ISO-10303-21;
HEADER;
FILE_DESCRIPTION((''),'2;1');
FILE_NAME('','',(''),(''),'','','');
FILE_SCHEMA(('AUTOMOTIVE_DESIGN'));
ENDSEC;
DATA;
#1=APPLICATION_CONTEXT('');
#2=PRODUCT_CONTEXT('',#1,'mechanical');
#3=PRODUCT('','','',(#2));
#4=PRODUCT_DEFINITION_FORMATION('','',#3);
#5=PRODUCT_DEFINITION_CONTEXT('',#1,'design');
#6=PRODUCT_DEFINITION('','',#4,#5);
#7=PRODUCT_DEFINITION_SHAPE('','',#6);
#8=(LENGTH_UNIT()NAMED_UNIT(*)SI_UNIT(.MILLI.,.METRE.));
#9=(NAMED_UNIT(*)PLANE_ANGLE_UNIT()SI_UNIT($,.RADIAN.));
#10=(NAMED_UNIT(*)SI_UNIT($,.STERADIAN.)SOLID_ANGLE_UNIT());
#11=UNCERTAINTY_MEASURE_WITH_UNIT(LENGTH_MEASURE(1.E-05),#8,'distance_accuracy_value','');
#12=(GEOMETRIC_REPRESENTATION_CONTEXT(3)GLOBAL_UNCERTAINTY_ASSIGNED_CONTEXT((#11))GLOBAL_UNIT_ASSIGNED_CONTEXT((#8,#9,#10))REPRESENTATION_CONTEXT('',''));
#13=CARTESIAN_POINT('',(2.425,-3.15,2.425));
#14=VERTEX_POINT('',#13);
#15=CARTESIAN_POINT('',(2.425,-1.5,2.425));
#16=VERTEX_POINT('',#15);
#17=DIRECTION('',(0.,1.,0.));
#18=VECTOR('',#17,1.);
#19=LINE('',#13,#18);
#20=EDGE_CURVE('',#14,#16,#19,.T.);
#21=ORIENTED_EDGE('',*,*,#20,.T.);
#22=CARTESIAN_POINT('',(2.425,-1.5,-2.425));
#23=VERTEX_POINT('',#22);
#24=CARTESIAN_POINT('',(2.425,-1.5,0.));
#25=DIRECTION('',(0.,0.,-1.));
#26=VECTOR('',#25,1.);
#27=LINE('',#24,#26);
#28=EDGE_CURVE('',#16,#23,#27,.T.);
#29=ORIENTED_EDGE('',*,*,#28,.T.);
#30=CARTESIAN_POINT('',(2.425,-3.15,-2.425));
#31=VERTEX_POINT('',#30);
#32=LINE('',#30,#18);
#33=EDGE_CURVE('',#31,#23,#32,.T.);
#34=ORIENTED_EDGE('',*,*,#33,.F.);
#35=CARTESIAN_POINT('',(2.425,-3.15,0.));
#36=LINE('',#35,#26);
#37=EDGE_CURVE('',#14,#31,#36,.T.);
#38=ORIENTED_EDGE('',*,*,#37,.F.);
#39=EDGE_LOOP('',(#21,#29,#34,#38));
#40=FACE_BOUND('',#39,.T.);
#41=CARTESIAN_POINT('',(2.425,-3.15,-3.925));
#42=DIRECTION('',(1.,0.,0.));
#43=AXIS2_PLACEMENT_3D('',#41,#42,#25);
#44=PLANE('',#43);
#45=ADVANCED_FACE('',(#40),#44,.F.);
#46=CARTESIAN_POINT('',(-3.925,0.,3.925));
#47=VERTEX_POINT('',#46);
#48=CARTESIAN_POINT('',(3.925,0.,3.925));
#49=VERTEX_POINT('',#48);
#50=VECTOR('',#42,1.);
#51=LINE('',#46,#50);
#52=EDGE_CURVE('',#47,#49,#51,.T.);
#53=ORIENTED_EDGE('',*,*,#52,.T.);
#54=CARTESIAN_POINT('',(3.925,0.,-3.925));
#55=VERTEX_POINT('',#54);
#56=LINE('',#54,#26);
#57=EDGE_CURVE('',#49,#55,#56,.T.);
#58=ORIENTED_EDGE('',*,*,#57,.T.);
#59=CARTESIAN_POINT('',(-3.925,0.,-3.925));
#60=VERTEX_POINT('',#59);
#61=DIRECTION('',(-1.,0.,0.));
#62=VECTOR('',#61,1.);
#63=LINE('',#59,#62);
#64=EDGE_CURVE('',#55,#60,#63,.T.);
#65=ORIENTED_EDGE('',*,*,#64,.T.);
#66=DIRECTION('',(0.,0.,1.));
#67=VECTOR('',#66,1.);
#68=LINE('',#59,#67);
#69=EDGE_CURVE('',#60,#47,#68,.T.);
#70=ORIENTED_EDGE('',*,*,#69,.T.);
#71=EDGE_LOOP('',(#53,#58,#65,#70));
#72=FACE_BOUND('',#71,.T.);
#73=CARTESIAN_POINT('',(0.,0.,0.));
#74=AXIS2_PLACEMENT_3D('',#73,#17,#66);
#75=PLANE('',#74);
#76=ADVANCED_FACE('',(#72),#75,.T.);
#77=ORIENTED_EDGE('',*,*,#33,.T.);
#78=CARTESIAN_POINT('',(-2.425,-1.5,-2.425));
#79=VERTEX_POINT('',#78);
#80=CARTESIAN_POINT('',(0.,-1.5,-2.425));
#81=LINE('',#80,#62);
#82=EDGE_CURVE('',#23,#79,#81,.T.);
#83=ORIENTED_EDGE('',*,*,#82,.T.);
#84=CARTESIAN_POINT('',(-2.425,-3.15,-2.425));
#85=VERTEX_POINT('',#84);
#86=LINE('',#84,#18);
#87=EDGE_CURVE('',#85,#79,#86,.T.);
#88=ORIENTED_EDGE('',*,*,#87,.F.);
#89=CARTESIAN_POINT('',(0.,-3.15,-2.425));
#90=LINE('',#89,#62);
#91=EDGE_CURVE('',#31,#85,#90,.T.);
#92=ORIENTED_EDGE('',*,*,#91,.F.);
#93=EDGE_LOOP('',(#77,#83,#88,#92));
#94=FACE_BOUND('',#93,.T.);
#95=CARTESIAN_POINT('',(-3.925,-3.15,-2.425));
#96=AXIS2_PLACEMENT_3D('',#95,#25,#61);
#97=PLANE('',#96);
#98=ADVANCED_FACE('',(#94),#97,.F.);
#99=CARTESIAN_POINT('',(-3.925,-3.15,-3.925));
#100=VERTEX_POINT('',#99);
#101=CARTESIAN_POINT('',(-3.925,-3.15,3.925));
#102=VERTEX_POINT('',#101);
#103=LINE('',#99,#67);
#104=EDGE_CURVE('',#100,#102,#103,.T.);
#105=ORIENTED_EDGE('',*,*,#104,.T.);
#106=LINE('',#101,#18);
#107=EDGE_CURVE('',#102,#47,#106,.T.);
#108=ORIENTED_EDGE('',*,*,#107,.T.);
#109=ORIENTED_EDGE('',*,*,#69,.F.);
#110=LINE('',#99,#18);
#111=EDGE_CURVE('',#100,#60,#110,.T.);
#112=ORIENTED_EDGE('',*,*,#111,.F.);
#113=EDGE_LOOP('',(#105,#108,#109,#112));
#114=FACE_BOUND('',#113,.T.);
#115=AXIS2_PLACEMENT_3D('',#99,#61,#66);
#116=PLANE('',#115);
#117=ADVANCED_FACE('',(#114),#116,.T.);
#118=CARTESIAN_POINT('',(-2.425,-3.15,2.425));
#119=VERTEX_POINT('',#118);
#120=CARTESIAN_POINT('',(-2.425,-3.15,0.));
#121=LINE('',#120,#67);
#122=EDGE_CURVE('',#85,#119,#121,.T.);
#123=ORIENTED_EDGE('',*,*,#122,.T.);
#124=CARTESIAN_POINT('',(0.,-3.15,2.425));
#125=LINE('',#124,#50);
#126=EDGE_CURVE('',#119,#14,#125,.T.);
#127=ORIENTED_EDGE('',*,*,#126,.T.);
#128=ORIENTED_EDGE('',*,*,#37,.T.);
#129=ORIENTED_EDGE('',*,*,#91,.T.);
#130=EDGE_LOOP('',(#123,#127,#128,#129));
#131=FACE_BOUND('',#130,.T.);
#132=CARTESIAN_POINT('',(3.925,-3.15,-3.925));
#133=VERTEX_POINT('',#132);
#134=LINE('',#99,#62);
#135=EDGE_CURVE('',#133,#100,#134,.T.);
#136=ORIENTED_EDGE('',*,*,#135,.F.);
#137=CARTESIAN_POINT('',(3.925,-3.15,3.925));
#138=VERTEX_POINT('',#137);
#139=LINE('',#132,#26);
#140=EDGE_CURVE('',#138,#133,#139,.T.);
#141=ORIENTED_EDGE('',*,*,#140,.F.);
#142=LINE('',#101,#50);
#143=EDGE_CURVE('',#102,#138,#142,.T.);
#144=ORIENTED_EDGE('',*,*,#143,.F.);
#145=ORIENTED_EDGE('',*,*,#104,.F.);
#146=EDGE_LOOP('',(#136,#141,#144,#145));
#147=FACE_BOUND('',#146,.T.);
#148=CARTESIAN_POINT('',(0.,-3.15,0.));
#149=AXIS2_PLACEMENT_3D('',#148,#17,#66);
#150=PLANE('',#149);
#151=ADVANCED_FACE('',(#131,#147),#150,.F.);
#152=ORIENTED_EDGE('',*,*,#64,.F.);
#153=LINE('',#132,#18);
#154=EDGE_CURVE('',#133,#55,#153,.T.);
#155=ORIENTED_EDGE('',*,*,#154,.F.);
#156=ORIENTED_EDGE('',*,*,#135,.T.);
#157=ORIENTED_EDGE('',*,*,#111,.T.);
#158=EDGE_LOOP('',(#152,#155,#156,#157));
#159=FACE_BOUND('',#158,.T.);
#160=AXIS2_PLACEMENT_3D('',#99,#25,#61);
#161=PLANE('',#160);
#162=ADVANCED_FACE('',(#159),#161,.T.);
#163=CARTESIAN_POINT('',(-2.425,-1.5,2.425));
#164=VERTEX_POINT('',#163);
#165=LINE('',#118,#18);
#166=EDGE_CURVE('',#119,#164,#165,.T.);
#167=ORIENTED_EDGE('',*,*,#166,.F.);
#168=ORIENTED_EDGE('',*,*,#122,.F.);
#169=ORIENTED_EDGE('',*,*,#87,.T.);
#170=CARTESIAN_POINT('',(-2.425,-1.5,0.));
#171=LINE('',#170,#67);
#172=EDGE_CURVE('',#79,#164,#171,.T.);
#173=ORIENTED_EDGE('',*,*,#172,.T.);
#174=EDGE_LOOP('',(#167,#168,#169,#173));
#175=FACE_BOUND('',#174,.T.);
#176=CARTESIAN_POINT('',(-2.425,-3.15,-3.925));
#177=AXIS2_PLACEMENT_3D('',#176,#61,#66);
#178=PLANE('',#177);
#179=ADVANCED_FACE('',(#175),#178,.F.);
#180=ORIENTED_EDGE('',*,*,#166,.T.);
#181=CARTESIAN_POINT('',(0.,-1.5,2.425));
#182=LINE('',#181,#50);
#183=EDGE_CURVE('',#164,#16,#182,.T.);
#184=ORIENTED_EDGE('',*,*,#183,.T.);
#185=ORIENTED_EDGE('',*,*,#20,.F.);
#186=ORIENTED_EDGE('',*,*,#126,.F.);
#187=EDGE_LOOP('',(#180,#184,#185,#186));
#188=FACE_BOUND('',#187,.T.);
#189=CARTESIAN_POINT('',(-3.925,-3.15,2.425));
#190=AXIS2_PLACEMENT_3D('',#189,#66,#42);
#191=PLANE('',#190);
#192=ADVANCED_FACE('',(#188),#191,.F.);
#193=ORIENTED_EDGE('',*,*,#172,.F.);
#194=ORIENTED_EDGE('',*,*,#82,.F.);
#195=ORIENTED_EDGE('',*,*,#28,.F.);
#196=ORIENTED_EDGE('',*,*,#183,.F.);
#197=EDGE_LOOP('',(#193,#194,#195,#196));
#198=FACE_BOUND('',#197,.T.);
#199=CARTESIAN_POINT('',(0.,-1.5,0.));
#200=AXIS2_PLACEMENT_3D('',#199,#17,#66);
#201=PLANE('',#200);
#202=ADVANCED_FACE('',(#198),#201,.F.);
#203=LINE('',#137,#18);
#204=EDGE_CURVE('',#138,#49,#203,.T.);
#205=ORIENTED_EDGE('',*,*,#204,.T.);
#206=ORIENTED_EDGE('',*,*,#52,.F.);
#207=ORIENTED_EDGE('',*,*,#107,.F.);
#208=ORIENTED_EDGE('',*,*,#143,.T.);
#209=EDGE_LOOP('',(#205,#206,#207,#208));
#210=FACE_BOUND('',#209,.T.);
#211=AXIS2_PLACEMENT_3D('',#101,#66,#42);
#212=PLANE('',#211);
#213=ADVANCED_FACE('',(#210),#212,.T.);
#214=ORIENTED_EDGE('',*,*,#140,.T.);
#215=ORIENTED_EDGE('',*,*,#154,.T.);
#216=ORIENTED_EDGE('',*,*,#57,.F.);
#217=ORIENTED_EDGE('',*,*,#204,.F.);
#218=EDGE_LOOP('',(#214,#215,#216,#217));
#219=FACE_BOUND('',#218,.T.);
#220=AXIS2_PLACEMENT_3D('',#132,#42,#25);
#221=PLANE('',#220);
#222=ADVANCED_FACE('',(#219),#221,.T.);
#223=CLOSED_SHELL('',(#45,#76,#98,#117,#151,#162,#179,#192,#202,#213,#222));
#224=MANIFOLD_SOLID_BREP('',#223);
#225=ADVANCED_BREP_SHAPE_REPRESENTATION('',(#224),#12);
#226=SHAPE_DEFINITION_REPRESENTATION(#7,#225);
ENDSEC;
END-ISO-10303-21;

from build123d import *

# Parameters (mm, degrees)
SKETCH1_W           = 7.85
SKETCH1_H           = 7.85
BOSS_EXTRUDE1_DEPTH = 3.15
SHELL1_T            = -1.5


with BuildPart() as part:
    # Sketch1 → Boss-Extrude1 (new body)
    with BuildSketch(Plane(origin=(0, 0, 0), x_dir=(1, 0, 0), z_dir=(0, 1, 0))):
        Rectangle(SKETCH1_W, SKETCH1_H)
    extrude(amount=-BOSS_EXTRUDE1_DEPTH)

    # Shell1
    shell1_openings = [part.faces().sort_by_distance(p)[0] for p in [
        (0, -3.15, 0),
    ]]
    offset(amount=SHELL1_T, openings=shell1_openings, kind=Kind.INTERSECTION)


solid = part.part
